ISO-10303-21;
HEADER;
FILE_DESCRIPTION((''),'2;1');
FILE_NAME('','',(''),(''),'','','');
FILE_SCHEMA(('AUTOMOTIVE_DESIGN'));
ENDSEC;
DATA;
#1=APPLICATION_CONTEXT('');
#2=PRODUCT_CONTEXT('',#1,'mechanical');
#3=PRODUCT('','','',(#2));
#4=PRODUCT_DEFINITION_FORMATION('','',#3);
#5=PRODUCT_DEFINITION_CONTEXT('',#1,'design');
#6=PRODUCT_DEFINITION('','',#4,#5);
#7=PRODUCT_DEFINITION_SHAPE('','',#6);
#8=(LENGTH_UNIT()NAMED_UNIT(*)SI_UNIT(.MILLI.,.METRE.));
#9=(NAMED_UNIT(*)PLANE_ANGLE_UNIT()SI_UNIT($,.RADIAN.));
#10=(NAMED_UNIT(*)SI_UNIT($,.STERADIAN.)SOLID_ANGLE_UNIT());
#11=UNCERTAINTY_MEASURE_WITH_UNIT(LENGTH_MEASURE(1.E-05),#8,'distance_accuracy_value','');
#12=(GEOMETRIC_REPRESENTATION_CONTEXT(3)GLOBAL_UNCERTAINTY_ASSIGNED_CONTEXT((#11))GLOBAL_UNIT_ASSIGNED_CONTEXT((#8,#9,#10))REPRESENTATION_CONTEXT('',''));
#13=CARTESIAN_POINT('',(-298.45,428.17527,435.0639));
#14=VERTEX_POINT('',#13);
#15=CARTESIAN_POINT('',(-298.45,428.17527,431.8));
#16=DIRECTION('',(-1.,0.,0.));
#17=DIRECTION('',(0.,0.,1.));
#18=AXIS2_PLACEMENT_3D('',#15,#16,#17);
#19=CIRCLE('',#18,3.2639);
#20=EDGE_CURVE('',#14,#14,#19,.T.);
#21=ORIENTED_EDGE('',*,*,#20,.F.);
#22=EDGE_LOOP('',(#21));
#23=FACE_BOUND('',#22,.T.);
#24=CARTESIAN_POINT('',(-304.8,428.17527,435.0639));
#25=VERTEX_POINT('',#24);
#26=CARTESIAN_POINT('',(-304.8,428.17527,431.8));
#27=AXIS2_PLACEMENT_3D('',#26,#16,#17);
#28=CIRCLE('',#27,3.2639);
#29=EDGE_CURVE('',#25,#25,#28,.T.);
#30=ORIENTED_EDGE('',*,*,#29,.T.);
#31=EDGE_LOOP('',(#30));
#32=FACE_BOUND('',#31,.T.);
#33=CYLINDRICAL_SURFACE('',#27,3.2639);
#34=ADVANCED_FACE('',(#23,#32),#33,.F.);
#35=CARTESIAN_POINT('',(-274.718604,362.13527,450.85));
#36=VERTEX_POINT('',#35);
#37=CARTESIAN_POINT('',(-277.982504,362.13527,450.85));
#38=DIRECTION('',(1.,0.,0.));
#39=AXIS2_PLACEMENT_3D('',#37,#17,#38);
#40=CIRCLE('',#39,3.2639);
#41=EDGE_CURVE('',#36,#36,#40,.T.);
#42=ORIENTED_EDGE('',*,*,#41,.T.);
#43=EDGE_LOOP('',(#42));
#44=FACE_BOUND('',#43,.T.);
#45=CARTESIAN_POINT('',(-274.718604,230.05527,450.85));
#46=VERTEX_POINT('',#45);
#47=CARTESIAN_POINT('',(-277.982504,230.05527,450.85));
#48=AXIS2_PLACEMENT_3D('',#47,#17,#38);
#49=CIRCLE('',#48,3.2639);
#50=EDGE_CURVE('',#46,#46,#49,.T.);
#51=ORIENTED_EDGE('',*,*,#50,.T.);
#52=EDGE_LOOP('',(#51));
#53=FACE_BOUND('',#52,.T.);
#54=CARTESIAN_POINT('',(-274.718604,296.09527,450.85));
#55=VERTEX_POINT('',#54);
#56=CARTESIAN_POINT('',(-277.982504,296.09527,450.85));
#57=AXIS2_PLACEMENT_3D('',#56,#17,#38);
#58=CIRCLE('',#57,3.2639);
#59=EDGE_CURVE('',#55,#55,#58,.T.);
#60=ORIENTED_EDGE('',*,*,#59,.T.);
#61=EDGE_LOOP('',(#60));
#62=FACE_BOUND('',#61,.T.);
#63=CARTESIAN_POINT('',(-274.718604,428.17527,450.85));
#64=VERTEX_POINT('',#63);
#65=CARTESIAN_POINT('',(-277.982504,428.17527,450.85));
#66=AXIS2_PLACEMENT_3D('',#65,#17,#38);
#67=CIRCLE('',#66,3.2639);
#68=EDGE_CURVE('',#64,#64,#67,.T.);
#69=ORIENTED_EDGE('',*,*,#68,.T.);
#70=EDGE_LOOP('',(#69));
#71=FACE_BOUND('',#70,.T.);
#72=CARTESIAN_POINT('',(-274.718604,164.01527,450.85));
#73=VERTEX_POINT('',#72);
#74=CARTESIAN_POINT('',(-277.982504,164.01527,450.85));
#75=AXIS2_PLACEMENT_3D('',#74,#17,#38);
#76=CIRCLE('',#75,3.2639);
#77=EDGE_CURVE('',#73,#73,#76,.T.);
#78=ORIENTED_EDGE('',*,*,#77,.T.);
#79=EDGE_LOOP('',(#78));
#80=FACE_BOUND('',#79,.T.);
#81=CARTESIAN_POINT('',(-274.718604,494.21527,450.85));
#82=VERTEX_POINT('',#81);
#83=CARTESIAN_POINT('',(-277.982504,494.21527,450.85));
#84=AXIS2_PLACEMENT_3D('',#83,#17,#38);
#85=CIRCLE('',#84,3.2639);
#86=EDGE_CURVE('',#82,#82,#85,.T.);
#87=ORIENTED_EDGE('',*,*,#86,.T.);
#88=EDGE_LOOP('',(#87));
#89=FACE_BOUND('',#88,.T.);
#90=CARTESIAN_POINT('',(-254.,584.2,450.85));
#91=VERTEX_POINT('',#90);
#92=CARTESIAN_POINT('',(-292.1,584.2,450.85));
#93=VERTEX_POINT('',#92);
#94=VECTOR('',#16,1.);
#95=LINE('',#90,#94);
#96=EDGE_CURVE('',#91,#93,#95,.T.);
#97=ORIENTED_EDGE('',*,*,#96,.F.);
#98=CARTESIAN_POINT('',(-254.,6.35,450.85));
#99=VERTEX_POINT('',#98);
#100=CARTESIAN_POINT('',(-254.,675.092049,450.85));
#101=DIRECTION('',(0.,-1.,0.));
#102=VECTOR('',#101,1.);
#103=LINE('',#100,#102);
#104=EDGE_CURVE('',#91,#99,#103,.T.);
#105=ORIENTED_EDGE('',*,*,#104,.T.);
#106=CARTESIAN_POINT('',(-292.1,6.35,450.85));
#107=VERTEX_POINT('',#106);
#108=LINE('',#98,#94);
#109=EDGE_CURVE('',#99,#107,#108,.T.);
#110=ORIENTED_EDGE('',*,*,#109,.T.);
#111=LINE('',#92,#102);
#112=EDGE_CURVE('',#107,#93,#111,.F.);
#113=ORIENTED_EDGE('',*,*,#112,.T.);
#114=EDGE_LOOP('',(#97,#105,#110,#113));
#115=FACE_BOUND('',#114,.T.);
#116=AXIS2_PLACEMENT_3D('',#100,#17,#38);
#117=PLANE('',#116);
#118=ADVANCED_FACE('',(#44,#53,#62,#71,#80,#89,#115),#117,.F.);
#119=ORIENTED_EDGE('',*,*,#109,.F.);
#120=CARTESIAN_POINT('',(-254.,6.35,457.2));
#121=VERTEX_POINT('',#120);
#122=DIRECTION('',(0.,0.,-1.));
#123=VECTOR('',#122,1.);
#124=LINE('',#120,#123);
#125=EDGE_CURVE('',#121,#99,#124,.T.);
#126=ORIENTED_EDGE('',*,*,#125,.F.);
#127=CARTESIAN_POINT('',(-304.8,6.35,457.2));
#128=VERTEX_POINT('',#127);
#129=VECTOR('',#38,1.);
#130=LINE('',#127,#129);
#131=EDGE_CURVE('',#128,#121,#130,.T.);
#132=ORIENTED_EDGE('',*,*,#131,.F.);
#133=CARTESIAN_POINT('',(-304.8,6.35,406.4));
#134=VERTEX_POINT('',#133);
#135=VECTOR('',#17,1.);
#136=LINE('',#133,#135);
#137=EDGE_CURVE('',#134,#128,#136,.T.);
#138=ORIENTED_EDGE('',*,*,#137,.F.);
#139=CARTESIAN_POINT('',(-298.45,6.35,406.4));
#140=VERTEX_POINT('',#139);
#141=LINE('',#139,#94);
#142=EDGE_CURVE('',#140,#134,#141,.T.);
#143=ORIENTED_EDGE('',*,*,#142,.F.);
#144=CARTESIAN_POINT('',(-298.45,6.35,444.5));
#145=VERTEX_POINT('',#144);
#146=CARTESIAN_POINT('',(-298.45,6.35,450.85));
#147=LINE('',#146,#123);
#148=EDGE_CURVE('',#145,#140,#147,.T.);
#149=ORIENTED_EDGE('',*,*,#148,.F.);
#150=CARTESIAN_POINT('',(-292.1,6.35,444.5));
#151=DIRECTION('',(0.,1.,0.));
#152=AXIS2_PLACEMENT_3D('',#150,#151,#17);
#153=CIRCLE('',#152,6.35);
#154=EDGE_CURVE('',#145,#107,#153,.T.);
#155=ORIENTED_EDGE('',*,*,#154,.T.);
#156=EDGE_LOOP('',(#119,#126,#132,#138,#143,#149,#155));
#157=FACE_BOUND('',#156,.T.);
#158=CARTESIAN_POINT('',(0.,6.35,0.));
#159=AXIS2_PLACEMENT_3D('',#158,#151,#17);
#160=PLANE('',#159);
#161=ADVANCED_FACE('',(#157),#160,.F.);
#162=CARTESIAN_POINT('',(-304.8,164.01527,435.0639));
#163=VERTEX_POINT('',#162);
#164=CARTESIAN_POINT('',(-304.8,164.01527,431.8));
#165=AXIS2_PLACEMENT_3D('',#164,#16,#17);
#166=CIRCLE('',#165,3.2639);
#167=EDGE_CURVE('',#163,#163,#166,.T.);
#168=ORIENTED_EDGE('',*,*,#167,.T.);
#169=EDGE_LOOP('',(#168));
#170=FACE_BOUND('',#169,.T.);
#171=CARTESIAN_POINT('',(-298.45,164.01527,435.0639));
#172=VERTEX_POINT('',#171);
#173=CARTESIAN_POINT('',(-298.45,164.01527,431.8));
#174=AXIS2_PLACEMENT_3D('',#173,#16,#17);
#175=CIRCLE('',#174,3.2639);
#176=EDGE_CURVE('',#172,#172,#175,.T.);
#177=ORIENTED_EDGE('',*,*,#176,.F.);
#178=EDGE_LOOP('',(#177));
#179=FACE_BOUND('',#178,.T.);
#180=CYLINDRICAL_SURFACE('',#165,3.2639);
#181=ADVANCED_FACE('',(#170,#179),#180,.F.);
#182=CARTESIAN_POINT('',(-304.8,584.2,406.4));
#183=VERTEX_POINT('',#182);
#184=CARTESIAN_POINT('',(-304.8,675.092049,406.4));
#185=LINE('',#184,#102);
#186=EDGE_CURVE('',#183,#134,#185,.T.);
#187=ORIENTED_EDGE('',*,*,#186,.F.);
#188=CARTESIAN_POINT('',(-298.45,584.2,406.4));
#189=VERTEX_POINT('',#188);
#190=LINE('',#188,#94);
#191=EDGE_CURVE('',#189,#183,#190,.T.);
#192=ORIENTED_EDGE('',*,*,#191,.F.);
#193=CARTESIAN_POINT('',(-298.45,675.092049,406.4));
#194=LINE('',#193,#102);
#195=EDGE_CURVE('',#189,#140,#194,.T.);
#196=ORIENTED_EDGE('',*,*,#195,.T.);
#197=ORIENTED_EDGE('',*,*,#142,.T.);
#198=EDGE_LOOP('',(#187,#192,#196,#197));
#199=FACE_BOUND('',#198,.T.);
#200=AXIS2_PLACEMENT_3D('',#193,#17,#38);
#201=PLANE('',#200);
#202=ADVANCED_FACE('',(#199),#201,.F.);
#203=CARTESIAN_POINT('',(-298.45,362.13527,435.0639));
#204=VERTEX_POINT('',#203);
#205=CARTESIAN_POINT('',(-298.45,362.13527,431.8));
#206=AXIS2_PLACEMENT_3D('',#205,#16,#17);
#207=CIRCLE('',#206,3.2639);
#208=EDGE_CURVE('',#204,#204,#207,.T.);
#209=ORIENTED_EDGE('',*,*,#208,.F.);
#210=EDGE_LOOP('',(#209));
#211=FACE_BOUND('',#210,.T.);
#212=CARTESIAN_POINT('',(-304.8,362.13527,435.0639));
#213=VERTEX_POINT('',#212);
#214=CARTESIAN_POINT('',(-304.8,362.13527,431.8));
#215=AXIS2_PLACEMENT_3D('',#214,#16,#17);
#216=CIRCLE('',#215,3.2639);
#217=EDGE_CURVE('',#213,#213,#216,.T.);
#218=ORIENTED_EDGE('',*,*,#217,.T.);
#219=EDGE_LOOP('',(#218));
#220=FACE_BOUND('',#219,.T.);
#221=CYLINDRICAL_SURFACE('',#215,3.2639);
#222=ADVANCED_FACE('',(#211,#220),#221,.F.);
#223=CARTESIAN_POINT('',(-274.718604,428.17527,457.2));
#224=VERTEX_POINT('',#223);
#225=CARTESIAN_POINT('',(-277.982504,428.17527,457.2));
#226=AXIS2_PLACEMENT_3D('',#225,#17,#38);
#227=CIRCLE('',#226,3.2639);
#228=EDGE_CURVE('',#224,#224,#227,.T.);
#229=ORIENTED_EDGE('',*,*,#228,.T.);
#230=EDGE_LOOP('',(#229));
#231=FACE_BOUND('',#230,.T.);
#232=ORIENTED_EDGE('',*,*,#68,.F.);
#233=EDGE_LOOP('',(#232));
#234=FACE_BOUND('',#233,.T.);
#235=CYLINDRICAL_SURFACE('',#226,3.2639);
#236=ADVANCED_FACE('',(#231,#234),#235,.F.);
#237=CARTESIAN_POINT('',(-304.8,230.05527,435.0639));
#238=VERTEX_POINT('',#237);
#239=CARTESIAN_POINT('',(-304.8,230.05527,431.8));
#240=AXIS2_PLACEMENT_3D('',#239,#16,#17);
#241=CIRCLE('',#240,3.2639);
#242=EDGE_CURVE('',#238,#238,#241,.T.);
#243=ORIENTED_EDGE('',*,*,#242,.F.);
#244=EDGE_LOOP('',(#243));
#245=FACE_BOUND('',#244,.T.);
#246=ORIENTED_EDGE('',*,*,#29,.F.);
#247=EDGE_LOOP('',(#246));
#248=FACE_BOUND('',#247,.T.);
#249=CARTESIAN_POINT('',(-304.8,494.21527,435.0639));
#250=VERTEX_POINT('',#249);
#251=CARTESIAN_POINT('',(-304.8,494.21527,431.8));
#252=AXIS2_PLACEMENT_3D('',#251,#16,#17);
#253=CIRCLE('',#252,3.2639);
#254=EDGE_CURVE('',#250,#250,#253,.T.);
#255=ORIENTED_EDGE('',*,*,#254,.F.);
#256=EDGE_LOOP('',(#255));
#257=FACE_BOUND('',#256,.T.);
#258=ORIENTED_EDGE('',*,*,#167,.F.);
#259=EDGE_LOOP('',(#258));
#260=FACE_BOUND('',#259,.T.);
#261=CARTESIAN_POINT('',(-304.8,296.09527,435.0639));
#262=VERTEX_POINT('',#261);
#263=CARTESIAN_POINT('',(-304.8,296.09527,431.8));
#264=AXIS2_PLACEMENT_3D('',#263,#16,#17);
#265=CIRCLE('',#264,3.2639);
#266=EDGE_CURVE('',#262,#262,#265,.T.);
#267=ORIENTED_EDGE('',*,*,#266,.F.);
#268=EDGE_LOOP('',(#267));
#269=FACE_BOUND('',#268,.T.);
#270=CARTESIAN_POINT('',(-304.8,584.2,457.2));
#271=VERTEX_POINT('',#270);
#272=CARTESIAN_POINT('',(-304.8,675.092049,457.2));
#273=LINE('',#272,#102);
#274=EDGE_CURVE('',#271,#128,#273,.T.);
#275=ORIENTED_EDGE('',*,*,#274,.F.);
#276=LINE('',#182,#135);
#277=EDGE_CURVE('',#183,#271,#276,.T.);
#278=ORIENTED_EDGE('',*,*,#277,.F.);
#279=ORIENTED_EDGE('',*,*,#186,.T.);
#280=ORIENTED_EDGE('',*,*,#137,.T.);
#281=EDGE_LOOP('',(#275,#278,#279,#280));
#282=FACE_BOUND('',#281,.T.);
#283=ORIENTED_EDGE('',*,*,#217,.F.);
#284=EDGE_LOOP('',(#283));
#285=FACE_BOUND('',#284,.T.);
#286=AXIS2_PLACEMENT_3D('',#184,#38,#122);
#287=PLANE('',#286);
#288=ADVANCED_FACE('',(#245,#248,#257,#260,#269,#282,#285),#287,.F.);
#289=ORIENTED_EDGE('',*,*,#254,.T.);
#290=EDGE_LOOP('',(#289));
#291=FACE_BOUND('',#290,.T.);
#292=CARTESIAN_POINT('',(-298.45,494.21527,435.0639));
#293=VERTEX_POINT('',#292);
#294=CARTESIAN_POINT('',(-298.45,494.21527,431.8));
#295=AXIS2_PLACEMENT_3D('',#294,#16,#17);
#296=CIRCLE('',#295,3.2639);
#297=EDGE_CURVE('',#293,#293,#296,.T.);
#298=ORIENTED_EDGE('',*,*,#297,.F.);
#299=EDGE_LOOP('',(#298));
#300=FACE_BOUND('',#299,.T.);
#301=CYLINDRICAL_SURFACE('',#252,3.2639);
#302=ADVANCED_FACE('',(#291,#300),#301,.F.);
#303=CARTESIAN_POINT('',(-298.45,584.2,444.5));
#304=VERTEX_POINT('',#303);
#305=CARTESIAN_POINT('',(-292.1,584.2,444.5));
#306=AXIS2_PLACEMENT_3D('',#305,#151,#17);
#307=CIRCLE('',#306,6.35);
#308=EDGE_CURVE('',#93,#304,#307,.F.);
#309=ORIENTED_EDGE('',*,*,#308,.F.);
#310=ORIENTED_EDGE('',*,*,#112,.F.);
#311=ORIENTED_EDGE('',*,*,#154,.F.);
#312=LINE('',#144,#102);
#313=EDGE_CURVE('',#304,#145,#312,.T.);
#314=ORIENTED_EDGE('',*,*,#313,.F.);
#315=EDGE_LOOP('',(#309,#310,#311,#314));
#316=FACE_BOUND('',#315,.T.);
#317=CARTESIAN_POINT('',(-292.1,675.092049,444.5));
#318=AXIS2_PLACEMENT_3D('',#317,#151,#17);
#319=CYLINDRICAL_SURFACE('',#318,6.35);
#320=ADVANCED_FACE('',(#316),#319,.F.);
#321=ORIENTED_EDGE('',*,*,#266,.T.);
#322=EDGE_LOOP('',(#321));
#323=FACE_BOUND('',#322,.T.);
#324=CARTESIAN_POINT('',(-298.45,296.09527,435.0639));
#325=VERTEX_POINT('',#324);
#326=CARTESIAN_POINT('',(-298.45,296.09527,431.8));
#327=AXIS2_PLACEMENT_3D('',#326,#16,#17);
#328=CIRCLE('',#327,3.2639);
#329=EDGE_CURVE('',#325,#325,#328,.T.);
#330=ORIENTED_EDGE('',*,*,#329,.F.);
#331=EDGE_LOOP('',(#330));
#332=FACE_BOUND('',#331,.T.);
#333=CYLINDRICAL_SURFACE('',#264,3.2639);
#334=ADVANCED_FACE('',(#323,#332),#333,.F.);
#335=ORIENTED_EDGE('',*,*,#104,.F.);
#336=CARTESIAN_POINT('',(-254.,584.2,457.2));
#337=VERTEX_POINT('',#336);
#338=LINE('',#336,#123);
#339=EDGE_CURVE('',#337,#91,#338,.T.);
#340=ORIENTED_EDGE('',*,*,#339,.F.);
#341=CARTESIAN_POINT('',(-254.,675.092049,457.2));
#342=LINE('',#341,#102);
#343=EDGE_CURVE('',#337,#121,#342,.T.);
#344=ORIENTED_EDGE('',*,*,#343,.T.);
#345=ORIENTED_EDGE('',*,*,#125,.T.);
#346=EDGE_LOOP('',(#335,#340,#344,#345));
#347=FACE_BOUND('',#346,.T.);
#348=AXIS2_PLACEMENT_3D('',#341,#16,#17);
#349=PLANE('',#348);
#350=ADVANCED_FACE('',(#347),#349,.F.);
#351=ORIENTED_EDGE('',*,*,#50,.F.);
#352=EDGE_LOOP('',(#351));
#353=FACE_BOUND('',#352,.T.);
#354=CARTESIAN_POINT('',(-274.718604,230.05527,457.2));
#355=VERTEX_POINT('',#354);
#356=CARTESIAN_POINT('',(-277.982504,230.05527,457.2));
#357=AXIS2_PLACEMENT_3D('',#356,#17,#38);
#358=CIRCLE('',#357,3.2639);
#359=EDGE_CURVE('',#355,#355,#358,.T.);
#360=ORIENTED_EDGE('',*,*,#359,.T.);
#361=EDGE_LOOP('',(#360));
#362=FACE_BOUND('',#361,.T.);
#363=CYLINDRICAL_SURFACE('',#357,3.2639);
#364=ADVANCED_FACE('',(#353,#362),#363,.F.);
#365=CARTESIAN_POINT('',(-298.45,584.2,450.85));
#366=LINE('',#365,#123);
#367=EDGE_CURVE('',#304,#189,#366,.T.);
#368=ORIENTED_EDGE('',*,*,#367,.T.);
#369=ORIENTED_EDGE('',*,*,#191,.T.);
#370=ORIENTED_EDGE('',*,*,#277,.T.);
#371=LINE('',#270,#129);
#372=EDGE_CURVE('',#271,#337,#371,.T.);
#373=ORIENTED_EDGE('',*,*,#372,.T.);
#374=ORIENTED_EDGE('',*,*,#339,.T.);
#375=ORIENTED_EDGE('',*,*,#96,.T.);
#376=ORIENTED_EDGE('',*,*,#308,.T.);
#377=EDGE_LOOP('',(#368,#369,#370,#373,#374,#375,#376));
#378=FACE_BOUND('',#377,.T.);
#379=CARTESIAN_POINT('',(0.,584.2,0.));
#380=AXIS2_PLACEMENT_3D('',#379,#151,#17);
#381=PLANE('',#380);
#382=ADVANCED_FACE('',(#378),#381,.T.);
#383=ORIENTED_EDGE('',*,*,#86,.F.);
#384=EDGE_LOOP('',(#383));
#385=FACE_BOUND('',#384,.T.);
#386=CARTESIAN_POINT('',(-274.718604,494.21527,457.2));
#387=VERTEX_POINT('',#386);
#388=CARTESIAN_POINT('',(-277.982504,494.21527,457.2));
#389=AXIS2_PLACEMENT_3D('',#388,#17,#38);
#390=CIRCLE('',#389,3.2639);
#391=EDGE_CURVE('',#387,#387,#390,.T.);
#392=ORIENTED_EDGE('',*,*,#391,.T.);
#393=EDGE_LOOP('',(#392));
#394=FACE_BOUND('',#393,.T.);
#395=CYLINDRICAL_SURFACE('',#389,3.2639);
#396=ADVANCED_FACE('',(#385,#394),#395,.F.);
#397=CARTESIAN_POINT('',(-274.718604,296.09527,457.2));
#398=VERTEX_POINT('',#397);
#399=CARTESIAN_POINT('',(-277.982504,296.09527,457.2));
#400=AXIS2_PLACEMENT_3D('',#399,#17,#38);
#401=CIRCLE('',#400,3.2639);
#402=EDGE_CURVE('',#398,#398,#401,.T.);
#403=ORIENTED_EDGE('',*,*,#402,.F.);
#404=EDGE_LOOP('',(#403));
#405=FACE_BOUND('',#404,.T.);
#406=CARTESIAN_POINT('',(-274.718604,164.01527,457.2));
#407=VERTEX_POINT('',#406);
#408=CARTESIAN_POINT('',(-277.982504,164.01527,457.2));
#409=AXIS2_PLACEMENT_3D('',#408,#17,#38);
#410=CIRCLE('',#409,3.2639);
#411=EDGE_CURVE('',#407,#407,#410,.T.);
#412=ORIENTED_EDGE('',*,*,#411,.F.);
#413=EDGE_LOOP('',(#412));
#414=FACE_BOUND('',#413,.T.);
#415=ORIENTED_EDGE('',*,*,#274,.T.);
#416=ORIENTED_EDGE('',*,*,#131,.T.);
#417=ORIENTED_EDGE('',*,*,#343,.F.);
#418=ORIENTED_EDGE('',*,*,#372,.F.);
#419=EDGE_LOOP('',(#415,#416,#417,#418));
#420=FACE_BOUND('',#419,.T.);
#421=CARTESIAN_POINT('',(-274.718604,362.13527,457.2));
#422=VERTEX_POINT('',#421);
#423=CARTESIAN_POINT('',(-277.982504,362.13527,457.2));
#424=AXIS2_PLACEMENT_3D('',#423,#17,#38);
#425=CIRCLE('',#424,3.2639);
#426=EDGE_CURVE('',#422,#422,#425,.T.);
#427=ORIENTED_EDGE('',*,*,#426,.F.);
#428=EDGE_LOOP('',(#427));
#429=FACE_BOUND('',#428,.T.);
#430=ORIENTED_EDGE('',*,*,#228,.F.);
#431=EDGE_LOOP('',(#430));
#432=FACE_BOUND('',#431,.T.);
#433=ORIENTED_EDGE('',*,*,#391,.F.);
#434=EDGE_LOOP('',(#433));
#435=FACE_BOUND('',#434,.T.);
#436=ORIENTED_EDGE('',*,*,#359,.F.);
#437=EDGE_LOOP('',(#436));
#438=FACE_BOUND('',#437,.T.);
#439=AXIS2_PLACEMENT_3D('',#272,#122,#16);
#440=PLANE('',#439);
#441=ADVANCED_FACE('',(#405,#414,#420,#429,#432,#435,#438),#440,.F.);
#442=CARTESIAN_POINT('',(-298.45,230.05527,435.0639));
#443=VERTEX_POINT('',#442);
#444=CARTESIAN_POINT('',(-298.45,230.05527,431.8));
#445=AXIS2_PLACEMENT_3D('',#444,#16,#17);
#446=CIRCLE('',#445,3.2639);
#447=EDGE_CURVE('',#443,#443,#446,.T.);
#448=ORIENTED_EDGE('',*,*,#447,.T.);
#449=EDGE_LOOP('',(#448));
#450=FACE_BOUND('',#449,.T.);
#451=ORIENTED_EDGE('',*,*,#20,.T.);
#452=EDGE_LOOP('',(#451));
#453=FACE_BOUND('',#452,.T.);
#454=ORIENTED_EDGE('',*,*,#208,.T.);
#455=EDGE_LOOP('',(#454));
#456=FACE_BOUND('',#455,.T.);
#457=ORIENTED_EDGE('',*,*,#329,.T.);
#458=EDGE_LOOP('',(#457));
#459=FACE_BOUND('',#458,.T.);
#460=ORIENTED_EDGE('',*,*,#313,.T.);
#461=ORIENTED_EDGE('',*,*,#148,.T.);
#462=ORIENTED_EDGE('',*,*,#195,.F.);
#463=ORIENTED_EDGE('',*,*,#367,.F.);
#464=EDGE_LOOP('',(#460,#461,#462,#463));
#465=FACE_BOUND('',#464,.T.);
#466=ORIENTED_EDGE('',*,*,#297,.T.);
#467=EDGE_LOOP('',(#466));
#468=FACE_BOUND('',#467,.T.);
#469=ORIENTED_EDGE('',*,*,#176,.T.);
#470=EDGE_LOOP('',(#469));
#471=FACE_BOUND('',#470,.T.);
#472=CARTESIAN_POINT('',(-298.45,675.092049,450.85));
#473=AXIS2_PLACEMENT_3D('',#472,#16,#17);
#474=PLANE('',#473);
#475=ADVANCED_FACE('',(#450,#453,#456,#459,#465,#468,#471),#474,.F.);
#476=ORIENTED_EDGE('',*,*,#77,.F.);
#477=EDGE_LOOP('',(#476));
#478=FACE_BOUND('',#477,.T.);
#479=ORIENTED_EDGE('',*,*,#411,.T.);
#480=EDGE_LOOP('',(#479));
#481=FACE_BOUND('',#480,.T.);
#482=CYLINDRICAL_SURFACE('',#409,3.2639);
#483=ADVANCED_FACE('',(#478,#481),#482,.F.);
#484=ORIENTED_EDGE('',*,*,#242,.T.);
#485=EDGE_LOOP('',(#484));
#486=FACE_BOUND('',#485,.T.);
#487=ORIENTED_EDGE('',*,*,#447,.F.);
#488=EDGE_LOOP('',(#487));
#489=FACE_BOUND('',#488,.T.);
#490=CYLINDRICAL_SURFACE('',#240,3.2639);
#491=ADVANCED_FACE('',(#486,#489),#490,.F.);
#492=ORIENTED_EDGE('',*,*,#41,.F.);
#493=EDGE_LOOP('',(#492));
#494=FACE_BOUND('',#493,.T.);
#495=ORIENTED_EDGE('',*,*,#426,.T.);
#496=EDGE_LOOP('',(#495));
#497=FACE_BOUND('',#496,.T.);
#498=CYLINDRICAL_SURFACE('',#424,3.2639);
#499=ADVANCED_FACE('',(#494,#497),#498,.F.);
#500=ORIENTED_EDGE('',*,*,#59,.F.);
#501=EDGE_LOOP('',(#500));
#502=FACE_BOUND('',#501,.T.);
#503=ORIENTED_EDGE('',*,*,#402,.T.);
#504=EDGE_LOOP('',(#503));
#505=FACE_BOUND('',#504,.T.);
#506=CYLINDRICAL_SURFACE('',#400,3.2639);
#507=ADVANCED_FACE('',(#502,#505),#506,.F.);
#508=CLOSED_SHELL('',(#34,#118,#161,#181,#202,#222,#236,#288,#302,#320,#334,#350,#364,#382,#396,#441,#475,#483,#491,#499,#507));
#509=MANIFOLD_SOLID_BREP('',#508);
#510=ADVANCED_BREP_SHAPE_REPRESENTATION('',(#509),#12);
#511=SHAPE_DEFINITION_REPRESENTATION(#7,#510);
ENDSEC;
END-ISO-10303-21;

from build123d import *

# Parameters (mm, degrees)
BOSS_EXTRUDE1_DEPTH      = 577.85
FILLET1_R                = 6.35
F_0_257_DIAMETER_HOLE1_D = 6.5278
LPATTERN1_COUNT          = 6
LPATTERN1_PITCH          = 66.04
F_0_257_DIAMETER_HOLE2_D = 6.5278
LPATTERN2_COUNT          = 6
LPATTERN2_PITCH          = 66.04


with BuildPart() as part:
    # Sketch2 → Boss-Extrude1 (new body)
    with BuildSketch(Plane(origin=(0, 6.35, 0), x_dir=(1, 0, 0), z_dir=(0, 1, 0))):
        Polygon((-304.8, -406.4), (-304.8, -457.2), (-254, -457.2), (-254, -450.85), (-298.45, -450.85), (-298.45, -406.4), align=None)
    extrude(amount=BOSS_EXTRUDE1_DEPTH)

    # Fillet1
    fillet1_edges = [part.edges().sort_by_distance(p)[0] for p in [
        (-298.45, 295.275, 450.85),
    ]]
    fillet(fillet1_edges, radius=FILLET1_R)

    # F (0.257) Diameter Hole1 (through all)
    with Locations(Plane.XY.offset(457.2)):
        with Locations((-535.515028223, 347.01452534), (-277.982504407, 164.015269696)):
            f_0_257_diameter_hole1 = Hole(F_0_257_DIAMETER_HOLE1_D / 2)

    # LPattern1: F (0.257) Diameter Hole1 ×6
    with Locations(*[(0, i * LPATTERN1_PITCH, 0) for i in range(1, LPATTERN1_COUNT)]):
        add(f_0_257_diameter_hole1, mode=Mode.SUBTRACT)

    # F (0.257) Diameter Hole2 (through all)
    with Locations(Plane.ZY.offset(304.8)):
        with Locations((431.8, 164.015269696)):
            f_0_257_diameter_hole2 = Hole(F_0_257_DIAMETER_HOLE2_D / 2)

    # LPattern2: F (0.257) Diameter Hole2 ×6
    with Locations(*[(0, i * LPATTERN2_PITCH, 0) for i in range(1, LPATTERN2_COUNT)]):
        add(f_0_257_diameter_hole2, mode=Mode.SUBTRACT)


solid = part.part
